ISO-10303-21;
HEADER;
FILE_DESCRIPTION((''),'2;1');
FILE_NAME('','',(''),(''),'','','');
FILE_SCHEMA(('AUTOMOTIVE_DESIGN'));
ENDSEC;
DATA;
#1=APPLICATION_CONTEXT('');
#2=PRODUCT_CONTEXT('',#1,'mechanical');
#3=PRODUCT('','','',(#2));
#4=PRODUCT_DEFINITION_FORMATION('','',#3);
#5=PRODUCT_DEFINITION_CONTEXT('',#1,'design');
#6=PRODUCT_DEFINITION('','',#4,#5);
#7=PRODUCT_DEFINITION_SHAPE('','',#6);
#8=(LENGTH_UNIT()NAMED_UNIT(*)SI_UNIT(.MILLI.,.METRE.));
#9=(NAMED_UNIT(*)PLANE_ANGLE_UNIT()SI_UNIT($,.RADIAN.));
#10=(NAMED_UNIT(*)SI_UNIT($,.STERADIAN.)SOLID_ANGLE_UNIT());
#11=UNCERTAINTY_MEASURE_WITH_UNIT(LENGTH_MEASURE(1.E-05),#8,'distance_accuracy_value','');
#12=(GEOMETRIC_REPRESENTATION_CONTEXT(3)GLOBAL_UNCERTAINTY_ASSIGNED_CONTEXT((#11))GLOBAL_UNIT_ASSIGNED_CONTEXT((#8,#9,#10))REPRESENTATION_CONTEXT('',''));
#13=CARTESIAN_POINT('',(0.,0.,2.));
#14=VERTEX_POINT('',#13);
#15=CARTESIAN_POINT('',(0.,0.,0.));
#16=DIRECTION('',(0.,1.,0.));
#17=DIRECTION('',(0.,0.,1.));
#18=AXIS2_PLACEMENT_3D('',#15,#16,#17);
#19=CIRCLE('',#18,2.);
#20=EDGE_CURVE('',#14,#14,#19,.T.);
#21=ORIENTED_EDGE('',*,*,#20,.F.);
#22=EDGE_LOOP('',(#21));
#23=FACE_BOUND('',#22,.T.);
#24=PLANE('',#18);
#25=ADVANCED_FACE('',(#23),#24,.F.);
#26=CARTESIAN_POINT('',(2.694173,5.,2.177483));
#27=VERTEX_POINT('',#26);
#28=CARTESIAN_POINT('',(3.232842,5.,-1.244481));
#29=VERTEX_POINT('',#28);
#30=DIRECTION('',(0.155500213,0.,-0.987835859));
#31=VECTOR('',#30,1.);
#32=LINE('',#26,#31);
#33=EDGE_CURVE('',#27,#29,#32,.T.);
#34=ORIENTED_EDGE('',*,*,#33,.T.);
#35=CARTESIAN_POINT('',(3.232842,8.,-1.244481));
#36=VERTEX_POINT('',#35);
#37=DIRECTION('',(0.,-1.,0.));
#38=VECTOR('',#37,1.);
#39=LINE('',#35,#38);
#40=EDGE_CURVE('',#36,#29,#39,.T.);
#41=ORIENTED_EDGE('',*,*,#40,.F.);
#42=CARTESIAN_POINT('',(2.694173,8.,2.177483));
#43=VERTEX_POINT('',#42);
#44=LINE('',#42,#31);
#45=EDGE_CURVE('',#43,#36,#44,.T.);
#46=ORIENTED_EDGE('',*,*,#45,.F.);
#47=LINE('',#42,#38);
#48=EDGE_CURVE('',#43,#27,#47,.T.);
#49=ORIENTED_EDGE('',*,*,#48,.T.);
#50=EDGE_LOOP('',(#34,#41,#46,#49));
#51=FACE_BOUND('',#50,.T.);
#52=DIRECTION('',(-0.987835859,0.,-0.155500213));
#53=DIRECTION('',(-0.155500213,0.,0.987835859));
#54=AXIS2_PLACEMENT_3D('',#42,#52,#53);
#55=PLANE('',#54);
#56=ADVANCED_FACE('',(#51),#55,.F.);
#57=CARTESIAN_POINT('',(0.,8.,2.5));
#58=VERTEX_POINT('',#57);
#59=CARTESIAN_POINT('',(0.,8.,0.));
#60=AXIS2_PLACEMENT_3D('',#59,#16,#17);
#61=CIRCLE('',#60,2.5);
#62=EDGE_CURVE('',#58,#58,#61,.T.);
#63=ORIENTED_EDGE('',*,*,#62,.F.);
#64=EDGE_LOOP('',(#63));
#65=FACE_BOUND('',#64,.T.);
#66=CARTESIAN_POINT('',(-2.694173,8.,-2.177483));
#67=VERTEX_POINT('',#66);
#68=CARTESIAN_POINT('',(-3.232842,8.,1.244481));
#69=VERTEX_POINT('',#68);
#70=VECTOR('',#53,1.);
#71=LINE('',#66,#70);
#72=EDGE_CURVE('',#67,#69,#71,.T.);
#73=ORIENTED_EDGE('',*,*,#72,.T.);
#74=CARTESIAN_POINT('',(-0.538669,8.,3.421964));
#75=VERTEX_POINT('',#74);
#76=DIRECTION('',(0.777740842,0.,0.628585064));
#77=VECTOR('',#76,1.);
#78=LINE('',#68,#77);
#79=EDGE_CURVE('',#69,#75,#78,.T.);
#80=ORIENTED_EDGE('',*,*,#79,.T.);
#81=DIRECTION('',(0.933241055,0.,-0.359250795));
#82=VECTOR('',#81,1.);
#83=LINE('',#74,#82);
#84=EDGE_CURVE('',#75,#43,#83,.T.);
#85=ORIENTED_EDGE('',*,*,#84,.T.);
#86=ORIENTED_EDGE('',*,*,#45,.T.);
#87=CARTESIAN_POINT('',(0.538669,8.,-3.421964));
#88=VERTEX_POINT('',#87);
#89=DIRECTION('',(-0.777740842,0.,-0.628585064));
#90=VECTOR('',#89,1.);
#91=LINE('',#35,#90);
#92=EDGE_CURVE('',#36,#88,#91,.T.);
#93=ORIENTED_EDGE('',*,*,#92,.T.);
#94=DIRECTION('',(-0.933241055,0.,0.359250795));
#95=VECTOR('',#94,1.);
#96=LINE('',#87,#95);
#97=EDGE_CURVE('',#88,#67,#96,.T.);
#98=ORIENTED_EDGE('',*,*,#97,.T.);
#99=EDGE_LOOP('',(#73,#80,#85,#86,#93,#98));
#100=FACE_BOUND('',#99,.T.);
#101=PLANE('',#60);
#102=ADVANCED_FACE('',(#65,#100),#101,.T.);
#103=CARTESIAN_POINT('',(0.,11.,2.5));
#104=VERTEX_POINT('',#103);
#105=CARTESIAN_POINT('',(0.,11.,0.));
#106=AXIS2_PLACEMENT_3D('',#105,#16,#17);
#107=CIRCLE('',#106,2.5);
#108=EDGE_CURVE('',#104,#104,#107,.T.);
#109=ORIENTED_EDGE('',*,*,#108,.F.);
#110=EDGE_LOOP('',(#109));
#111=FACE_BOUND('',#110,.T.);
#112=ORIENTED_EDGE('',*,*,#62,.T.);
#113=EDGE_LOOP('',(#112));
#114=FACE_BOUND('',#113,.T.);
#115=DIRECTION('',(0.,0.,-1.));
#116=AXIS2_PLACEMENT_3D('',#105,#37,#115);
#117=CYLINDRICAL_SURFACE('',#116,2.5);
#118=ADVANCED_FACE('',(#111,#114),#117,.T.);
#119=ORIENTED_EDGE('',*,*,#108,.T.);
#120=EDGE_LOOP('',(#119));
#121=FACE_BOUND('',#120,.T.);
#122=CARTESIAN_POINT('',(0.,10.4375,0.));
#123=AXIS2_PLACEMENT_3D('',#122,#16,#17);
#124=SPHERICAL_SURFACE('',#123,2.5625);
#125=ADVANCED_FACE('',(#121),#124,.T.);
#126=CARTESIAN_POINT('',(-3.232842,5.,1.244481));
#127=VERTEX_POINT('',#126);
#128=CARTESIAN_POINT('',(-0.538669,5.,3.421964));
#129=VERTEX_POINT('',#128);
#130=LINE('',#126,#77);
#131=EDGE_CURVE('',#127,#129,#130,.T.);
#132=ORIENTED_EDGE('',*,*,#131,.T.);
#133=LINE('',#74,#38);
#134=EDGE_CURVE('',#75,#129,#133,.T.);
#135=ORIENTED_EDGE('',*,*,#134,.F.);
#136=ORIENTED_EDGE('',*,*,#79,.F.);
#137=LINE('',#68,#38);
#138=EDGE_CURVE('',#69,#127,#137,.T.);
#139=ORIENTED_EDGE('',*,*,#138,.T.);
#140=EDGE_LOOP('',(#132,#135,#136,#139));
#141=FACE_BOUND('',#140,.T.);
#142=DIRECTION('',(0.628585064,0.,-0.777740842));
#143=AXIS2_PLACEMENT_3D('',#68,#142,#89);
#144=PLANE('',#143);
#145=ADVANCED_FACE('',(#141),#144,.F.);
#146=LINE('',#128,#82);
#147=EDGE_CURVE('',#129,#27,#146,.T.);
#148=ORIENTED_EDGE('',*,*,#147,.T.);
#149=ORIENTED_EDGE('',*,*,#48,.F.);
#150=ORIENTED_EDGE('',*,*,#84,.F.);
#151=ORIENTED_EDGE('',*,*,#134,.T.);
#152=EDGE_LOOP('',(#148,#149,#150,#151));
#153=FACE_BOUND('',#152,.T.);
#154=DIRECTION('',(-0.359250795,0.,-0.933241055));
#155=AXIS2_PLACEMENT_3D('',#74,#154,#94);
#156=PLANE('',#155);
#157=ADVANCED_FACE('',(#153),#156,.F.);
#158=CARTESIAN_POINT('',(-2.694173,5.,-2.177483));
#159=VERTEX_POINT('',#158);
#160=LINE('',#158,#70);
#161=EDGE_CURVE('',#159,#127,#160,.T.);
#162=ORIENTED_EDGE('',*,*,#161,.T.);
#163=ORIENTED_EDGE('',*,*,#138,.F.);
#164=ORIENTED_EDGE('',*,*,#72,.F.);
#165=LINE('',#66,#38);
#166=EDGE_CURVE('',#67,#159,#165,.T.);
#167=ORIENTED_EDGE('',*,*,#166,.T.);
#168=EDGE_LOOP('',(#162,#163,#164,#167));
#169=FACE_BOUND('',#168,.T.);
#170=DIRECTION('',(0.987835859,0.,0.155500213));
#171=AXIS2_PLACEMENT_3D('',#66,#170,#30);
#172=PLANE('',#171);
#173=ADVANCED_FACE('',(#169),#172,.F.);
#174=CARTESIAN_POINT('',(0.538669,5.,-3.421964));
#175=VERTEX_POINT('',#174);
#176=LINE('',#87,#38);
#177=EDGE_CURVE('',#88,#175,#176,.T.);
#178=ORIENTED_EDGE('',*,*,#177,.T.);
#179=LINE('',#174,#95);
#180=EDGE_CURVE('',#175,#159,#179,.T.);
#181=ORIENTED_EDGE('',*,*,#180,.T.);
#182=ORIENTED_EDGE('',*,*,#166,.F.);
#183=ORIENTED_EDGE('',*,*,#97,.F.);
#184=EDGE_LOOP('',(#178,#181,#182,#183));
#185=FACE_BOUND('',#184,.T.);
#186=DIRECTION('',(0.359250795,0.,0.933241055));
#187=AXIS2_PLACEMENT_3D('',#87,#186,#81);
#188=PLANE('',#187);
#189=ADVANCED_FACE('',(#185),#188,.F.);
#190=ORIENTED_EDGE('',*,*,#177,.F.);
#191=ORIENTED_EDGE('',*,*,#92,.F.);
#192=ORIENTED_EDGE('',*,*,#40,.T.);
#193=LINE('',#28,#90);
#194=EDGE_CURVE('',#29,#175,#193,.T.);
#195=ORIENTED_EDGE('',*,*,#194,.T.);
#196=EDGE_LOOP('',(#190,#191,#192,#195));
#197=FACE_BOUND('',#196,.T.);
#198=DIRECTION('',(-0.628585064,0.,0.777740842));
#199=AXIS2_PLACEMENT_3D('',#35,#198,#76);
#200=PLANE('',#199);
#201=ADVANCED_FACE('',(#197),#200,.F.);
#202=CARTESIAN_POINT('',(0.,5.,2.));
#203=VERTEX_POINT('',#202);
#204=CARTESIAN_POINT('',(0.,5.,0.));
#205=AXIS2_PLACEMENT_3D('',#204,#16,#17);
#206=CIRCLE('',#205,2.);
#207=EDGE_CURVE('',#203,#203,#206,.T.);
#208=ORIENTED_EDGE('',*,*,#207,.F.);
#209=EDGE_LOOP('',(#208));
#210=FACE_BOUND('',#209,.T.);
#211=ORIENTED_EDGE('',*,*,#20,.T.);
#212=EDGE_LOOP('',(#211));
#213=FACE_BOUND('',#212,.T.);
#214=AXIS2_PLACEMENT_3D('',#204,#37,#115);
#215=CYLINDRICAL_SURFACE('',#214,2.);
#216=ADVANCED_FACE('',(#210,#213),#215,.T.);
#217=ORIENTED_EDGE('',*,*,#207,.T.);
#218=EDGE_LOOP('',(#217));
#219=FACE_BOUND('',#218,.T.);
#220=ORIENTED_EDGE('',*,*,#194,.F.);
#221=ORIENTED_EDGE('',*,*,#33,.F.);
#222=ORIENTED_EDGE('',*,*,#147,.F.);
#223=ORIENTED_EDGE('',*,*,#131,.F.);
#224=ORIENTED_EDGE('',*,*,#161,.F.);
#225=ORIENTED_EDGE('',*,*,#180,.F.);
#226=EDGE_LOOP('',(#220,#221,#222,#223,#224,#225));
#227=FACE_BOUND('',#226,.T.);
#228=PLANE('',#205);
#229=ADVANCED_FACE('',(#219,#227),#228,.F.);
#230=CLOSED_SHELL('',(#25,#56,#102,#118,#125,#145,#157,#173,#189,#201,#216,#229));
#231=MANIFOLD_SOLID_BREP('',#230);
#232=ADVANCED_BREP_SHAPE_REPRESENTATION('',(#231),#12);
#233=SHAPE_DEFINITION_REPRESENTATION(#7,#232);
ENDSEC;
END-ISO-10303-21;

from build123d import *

# Parameters (mm, degrees)
IZIM1_R                     = 2
Y_KSEKLIK_EKSTR_ZYON1_DEPTH = 5
Y_KSEKLIK_EKSTR_ZYON2_DEPTH = 3
IZIM3_R                     = 2.5
Y_KSEKLIK_EKSTR_ZYON3_DEPTH = 3
KUBBE1_FACE_RADIUS          = 2.5
KUBBE1_HEIGHT               = 2


with BuildPart() as part:
    # Çizim1 → Yükseklik-Ekstrüzyon1 (new body)
    with BuildSketch(Plane(origin=(0, 0, 0), x_dir=(1, 0, 0), z_dir=(0, 1, 0))):
        with Locations(Location((0, 0, 0), (0, 0, 270))):
            Circle(IZIM1_R)
    extrude(amount=Y_KSEKLIK_EKSTR_ZYON1_DEPTH)

    # Çizim2 → Yükseklik-Ekstrüzyon2 (add)
    with BuildSketch(Plane(origin=(0, 5, 0), x_dir=(1, 0, 0), z_dir=(0, 1, 0))):
        Polygon((2.694173307, -2.177482536), (3.232841846, 1.244481258), (0.538668539, 3.421963794), (-2.694173307, 2.177482536), (-3.232841846, -1.244481258), (-0.538668539, -3.421963794), align=None)
    extrude(amount=Y_KSEKLIK_EKSTR_ZYON2_DEPTH)

    # Çizim3 → Yükseklik-Ekstrüzyon3 (add)
    with BuildSketch(Plane(origin=(0, 8, 0), x_dir=(1, 0, 0), z_dir=(0, 1, 0))):
        with Locations(Location((0, 0, 0), (0, 0, 270))):
            Circle(IZIM3_R)
    extrude(amount=Y_KSEKLIK_EKSTR_ZYON3_DEPTH)

    # Kubbe1: a dome of height H over a round flat face of radius A is a cap of a sphere of radius (A * A + H * H) / (2 * H)
    kubbe1_r = (KUBBE1_FACE_RADIUS * KUBBE1_FACE_RADIUS + KUBBE1_HEIGHT * KUBBE1_HEIGHT) / (2 * KUBBE1_HEIGHT)
    kubbe1_base = Plane((0, 11, 0), z_dir=(0, 1, 0))
    with Locations(kubbe1_base.offset(KUBBE1_HEIGHT - kubbe1_r)):
        kubbe1_ball = Sphere(kubbe1_r, mode=Mode.PRIVATE)
    add(split(kubbe1_ball, bisect_by=kubbe1_base, keep=Keep.TOP, mode=Mode.PRIVATE))


solid = part.part
